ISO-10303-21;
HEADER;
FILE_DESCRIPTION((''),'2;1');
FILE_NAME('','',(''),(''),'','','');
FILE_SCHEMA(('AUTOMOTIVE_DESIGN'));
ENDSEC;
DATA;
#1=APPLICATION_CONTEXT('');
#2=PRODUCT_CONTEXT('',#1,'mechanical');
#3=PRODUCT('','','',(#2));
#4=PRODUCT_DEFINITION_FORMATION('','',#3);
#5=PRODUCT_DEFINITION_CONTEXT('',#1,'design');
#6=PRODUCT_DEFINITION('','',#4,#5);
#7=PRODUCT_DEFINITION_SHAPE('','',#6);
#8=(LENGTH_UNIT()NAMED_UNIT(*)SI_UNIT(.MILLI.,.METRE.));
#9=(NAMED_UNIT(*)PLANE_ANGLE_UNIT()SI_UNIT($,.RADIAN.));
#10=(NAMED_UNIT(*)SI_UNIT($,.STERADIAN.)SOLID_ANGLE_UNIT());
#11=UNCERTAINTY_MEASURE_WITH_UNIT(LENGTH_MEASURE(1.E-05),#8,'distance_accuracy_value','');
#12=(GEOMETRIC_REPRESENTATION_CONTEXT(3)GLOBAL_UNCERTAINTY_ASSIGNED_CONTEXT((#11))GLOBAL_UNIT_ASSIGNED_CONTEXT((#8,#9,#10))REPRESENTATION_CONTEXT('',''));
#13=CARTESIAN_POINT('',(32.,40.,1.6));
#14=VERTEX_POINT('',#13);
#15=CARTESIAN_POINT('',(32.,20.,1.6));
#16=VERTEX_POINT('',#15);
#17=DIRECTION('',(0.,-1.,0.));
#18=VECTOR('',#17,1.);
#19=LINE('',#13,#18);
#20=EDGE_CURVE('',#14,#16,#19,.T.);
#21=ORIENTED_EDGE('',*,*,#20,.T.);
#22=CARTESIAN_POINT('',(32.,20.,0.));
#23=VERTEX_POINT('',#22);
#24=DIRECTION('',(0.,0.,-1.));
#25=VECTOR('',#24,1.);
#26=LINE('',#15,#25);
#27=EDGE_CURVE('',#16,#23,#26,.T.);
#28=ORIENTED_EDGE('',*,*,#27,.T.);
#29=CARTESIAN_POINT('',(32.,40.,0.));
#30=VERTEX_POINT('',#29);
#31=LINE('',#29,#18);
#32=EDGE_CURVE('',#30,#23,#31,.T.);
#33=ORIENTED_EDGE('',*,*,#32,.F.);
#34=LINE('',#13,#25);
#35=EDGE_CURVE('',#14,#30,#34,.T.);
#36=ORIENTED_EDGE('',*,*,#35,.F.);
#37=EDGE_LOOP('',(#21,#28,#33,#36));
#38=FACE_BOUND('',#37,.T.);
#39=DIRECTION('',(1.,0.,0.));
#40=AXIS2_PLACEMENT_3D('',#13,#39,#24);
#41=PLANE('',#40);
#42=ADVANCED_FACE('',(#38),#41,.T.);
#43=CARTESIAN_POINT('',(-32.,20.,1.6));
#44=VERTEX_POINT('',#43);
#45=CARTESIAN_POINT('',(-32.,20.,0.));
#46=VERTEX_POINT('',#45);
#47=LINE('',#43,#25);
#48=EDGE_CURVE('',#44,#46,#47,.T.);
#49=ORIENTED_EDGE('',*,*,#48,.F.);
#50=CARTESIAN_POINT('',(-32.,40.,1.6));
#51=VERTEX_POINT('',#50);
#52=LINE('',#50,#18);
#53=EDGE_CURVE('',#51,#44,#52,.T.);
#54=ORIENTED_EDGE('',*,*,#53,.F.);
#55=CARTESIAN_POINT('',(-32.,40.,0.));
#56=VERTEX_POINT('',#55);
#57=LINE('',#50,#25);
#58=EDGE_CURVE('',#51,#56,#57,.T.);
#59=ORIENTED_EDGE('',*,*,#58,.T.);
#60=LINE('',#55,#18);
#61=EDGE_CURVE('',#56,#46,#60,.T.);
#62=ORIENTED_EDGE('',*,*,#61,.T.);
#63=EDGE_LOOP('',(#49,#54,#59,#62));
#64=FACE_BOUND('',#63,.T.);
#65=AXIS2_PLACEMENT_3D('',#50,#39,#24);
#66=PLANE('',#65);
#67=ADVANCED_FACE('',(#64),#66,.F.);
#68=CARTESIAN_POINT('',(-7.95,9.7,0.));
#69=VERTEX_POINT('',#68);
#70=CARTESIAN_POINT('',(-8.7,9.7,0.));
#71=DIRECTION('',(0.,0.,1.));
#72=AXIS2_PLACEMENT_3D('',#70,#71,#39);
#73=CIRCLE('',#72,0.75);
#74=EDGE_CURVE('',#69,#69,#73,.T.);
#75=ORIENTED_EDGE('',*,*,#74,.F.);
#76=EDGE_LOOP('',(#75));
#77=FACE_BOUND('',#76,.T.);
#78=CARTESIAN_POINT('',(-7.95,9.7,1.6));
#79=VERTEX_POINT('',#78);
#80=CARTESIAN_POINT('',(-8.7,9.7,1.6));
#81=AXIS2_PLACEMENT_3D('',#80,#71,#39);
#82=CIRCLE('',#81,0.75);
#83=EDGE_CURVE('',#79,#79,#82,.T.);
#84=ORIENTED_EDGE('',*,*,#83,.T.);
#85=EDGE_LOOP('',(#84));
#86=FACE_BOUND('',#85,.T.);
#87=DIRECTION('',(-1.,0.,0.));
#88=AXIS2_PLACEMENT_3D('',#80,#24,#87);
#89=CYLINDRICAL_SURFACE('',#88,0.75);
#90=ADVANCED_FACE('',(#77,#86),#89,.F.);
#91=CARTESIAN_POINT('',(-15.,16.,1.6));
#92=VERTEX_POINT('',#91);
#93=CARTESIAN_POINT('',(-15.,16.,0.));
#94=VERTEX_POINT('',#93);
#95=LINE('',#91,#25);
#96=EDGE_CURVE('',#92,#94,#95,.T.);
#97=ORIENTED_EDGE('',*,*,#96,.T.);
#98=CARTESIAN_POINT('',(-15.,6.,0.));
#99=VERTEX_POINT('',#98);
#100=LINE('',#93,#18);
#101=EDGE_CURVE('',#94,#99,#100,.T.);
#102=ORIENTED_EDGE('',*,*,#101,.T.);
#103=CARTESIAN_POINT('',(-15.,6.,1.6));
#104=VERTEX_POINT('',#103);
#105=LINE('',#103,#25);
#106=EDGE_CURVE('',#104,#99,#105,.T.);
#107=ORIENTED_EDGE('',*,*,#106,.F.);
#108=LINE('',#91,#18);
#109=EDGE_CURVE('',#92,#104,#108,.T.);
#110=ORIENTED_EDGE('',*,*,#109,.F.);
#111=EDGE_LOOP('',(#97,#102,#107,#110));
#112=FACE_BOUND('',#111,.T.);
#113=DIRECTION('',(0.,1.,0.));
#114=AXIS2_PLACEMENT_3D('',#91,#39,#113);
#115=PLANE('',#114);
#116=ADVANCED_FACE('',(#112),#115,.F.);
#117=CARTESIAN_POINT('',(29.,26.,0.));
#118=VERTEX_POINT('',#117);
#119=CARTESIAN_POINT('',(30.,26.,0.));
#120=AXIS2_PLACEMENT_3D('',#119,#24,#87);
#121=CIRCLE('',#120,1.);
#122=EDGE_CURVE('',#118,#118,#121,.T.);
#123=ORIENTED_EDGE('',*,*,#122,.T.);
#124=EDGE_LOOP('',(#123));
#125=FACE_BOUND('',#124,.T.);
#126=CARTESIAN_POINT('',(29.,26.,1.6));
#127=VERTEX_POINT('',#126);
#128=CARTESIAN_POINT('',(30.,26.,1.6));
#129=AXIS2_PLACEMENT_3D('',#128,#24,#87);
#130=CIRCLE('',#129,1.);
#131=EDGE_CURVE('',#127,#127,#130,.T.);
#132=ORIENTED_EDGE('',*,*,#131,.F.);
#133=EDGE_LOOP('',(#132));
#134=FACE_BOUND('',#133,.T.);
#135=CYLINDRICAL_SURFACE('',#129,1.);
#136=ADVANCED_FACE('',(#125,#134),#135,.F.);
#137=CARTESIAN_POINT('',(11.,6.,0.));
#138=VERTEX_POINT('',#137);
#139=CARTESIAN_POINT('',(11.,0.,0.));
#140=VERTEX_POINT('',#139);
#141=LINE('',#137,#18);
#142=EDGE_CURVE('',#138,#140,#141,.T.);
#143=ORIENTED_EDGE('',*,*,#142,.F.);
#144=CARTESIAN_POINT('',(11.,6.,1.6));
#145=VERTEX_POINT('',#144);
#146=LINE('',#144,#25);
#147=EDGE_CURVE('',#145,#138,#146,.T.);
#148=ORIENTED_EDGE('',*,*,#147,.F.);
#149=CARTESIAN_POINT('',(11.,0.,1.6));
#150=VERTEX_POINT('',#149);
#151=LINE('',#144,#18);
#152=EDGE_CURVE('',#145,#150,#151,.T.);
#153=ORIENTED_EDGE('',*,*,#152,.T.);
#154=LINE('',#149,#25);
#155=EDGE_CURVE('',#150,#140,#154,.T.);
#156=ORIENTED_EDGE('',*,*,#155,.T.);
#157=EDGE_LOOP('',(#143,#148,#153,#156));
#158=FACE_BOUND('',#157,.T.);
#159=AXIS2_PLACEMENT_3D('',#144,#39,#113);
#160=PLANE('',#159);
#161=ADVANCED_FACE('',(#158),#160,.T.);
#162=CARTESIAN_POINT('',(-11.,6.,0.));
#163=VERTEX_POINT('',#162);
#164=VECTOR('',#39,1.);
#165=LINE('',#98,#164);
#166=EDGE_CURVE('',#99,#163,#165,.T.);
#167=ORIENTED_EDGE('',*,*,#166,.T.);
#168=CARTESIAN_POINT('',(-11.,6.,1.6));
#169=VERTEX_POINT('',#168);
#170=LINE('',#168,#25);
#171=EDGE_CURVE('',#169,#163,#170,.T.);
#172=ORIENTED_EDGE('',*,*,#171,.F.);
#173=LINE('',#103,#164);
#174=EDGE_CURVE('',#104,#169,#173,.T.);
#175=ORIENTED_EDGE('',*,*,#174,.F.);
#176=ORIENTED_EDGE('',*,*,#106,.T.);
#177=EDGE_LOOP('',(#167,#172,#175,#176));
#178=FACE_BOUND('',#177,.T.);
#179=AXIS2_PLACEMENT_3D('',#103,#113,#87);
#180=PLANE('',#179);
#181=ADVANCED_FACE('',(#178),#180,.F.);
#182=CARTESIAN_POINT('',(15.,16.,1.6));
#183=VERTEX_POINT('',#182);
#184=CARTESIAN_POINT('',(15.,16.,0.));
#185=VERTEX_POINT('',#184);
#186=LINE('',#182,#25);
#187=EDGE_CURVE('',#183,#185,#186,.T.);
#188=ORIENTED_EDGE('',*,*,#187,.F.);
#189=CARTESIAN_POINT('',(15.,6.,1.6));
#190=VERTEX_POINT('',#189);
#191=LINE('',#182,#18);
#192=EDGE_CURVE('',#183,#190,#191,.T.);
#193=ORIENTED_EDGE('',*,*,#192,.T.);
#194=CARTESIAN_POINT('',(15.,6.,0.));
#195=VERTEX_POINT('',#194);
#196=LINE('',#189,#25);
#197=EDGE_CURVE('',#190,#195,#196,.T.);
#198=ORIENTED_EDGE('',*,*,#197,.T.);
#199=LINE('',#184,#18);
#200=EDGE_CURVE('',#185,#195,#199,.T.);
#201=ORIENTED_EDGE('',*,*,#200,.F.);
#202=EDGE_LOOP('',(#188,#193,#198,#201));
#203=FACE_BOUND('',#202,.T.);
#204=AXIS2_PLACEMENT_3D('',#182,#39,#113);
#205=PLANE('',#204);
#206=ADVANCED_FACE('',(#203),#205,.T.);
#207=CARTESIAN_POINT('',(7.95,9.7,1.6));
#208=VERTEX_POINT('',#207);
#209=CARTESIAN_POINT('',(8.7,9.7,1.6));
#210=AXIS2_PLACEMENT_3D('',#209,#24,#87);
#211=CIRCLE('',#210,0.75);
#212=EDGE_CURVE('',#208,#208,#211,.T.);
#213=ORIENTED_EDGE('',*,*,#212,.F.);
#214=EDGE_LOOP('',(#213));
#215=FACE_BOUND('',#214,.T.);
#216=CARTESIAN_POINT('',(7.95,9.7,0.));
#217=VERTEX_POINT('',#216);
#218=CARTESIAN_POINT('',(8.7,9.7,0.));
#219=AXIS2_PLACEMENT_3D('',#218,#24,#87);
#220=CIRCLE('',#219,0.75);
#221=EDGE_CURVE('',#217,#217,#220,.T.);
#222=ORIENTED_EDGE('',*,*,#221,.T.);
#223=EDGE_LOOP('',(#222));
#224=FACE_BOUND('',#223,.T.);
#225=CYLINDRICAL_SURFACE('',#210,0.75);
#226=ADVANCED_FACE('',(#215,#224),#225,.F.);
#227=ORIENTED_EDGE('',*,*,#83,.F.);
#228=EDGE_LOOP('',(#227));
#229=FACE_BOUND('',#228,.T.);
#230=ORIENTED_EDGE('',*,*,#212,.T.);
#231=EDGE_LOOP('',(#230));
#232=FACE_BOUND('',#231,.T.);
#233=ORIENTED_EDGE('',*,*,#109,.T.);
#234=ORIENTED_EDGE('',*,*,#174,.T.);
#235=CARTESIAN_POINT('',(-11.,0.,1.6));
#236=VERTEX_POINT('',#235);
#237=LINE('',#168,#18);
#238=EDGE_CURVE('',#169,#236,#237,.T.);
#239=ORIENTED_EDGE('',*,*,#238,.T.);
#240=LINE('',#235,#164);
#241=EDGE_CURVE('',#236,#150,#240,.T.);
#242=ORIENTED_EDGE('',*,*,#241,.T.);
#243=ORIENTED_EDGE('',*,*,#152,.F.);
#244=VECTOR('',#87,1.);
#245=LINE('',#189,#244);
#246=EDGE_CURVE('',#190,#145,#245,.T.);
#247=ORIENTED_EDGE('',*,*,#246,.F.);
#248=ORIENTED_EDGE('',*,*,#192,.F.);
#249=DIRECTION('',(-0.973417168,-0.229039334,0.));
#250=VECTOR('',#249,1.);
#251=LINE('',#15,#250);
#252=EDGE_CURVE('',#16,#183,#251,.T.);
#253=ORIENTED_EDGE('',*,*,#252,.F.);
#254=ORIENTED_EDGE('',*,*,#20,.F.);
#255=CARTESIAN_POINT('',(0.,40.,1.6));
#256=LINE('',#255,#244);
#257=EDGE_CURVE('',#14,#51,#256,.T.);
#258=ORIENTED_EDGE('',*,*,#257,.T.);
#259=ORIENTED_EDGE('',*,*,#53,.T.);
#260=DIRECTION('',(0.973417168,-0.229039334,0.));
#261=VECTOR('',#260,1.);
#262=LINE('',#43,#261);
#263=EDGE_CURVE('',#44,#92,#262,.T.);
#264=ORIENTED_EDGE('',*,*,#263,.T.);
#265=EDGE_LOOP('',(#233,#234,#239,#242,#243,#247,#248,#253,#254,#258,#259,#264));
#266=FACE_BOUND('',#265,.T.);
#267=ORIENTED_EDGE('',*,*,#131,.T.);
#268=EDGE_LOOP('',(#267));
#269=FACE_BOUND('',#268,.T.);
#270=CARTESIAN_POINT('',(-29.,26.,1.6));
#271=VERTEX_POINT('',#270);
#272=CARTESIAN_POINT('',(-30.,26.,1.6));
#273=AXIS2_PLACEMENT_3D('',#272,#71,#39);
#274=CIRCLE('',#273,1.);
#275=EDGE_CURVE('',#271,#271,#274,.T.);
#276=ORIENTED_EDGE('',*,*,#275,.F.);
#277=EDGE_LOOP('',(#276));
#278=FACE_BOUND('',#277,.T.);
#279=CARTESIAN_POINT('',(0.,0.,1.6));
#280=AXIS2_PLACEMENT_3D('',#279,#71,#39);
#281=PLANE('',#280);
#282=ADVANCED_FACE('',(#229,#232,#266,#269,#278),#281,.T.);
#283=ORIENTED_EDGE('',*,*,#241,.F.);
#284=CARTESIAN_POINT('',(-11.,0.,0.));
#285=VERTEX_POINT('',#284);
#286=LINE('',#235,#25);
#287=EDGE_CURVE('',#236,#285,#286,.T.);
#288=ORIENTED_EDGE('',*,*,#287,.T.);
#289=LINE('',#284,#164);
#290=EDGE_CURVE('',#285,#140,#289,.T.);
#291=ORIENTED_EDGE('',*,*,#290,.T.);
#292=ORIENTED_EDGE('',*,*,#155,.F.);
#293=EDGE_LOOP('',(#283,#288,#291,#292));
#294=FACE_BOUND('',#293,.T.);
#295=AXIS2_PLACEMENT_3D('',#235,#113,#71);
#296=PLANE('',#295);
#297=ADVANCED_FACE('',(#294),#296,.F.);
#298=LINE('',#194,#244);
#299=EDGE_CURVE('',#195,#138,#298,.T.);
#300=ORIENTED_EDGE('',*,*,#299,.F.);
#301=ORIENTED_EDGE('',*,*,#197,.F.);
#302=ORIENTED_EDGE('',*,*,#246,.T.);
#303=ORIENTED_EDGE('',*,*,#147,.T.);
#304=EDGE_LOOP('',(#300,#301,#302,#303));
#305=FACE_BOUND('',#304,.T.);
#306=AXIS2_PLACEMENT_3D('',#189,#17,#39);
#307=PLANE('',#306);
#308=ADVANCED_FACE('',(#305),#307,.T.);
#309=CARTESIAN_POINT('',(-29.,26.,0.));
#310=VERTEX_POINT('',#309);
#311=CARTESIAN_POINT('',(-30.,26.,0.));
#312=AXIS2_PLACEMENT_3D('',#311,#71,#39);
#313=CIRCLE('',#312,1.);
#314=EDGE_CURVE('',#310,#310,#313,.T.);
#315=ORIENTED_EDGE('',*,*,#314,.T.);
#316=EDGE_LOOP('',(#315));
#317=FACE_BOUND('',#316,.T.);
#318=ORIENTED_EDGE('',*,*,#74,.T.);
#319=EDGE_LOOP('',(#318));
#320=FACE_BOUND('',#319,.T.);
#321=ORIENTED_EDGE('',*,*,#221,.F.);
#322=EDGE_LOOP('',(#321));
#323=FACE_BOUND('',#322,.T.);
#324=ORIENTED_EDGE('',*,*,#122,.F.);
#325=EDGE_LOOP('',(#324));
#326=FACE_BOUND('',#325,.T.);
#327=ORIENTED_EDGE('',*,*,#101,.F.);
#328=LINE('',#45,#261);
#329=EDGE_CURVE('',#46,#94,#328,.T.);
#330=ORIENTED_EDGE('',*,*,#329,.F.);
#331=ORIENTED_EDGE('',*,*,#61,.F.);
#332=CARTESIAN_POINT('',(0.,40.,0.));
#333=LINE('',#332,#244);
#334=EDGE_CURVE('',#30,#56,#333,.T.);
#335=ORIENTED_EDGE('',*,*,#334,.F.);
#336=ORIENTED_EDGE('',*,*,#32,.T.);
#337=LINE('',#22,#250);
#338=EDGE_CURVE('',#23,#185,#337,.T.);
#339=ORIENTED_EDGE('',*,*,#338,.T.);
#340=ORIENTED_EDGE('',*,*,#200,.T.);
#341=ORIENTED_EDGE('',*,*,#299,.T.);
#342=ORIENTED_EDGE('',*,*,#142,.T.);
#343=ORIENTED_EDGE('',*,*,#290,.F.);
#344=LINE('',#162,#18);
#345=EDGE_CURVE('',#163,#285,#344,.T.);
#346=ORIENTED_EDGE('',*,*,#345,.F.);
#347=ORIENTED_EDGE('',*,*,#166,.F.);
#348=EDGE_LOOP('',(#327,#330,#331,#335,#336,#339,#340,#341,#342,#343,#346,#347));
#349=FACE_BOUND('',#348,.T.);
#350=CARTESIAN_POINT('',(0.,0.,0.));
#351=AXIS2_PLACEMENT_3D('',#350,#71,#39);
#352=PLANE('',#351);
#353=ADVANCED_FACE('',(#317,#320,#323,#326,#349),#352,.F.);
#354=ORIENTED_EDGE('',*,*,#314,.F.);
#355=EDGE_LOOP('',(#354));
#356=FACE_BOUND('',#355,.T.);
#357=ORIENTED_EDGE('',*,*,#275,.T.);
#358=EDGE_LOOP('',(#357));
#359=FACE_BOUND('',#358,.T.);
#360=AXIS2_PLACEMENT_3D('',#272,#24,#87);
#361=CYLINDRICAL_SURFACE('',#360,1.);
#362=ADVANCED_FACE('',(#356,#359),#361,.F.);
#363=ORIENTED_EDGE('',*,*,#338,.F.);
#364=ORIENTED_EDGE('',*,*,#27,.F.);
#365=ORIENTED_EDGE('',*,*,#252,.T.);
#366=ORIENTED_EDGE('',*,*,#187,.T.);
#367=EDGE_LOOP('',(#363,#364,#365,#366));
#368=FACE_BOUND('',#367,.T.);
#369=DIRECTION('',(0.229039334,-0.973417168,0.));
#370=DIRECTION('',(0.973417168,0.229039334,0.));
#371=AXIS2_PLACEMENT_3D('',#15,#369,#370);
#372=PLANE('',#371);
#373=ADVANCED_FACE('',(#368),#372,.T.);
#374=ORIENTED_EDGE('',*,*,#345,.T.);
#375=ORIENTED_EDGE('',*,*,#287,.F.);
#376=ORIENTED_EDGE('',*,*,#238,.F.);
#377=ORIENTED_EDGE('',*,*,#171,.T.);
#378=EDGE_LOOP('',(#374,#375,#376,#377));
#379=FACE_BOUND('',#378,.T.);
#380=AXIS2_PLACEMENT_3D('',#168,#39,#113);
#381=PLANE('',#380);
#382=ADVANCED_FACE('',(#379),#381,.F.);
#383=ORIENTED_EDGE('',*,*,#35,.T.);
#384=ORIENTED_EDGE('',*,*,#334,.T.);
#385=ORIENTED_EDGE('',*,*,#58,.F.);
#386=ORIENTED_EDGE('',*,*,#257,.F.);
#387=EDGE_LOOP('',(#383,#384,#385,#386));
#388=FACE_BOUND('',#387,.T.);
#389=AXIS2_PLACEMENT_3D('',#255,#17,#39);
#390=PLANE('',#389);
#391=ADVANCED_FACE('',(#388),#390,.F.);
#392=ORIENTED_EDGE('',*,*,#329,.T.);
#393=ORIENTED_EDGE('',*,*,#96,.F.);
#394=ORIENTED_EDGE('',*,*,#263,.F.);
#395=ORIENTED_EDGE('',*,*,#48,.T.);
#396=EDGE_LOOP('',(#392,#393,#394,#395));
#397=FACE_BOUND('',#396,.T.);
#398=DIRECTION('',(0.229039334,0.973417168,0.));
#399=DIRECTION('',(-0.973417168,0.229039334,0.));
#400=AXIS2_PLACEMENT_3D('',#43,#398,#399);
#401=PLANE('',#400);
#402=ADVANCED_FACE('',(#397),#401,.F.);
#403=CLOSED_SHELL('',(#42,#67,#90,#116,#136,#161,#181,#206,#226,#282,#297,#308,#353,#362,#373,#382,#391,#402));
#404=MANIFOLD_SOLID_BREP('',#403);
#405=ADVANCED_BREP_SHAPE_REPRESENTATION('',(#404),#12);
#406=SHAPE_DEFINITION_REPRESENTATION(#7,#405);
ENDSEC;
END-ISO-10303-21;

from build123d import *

# Parameters (mm, degrees)
SKETCH4_R           = 1
SKETCH4_R_2         = 0.75
BOSS_EXTRUDE1_DEPTH = 1.6


with BuildPart() as part:
    # Sketch4 → Boss-Extrude1 (new body)
    with BuildSketch(Plane.XY):
        Polygon((0, 40), (-32, 40), (-32, 20), (-15, 16), (-15, 6), (-11, 6), (-11, 0), (0, 0), align=None)
        with Locations((-30, 26)):
            Circle(SKETCH4_R, mode=Mode.SUBTRACT)
        with Locations((-8.7, 9.7)):
            Circle(SKETCH4_R_2, mode=Mode.SUBTRACT)
    boss_extrude1 = extrude(amount=BOSS_EXTRUDE1_DEPTH)

    # Mirror1: Boss-Extrude1 across plane
    add(boss_extrude1.mirror(Plane(origin=(0, 0, 1.6), x_dir=(0, 0, 1), z_dir=(-1, 0, 0))))


solid = part.part
